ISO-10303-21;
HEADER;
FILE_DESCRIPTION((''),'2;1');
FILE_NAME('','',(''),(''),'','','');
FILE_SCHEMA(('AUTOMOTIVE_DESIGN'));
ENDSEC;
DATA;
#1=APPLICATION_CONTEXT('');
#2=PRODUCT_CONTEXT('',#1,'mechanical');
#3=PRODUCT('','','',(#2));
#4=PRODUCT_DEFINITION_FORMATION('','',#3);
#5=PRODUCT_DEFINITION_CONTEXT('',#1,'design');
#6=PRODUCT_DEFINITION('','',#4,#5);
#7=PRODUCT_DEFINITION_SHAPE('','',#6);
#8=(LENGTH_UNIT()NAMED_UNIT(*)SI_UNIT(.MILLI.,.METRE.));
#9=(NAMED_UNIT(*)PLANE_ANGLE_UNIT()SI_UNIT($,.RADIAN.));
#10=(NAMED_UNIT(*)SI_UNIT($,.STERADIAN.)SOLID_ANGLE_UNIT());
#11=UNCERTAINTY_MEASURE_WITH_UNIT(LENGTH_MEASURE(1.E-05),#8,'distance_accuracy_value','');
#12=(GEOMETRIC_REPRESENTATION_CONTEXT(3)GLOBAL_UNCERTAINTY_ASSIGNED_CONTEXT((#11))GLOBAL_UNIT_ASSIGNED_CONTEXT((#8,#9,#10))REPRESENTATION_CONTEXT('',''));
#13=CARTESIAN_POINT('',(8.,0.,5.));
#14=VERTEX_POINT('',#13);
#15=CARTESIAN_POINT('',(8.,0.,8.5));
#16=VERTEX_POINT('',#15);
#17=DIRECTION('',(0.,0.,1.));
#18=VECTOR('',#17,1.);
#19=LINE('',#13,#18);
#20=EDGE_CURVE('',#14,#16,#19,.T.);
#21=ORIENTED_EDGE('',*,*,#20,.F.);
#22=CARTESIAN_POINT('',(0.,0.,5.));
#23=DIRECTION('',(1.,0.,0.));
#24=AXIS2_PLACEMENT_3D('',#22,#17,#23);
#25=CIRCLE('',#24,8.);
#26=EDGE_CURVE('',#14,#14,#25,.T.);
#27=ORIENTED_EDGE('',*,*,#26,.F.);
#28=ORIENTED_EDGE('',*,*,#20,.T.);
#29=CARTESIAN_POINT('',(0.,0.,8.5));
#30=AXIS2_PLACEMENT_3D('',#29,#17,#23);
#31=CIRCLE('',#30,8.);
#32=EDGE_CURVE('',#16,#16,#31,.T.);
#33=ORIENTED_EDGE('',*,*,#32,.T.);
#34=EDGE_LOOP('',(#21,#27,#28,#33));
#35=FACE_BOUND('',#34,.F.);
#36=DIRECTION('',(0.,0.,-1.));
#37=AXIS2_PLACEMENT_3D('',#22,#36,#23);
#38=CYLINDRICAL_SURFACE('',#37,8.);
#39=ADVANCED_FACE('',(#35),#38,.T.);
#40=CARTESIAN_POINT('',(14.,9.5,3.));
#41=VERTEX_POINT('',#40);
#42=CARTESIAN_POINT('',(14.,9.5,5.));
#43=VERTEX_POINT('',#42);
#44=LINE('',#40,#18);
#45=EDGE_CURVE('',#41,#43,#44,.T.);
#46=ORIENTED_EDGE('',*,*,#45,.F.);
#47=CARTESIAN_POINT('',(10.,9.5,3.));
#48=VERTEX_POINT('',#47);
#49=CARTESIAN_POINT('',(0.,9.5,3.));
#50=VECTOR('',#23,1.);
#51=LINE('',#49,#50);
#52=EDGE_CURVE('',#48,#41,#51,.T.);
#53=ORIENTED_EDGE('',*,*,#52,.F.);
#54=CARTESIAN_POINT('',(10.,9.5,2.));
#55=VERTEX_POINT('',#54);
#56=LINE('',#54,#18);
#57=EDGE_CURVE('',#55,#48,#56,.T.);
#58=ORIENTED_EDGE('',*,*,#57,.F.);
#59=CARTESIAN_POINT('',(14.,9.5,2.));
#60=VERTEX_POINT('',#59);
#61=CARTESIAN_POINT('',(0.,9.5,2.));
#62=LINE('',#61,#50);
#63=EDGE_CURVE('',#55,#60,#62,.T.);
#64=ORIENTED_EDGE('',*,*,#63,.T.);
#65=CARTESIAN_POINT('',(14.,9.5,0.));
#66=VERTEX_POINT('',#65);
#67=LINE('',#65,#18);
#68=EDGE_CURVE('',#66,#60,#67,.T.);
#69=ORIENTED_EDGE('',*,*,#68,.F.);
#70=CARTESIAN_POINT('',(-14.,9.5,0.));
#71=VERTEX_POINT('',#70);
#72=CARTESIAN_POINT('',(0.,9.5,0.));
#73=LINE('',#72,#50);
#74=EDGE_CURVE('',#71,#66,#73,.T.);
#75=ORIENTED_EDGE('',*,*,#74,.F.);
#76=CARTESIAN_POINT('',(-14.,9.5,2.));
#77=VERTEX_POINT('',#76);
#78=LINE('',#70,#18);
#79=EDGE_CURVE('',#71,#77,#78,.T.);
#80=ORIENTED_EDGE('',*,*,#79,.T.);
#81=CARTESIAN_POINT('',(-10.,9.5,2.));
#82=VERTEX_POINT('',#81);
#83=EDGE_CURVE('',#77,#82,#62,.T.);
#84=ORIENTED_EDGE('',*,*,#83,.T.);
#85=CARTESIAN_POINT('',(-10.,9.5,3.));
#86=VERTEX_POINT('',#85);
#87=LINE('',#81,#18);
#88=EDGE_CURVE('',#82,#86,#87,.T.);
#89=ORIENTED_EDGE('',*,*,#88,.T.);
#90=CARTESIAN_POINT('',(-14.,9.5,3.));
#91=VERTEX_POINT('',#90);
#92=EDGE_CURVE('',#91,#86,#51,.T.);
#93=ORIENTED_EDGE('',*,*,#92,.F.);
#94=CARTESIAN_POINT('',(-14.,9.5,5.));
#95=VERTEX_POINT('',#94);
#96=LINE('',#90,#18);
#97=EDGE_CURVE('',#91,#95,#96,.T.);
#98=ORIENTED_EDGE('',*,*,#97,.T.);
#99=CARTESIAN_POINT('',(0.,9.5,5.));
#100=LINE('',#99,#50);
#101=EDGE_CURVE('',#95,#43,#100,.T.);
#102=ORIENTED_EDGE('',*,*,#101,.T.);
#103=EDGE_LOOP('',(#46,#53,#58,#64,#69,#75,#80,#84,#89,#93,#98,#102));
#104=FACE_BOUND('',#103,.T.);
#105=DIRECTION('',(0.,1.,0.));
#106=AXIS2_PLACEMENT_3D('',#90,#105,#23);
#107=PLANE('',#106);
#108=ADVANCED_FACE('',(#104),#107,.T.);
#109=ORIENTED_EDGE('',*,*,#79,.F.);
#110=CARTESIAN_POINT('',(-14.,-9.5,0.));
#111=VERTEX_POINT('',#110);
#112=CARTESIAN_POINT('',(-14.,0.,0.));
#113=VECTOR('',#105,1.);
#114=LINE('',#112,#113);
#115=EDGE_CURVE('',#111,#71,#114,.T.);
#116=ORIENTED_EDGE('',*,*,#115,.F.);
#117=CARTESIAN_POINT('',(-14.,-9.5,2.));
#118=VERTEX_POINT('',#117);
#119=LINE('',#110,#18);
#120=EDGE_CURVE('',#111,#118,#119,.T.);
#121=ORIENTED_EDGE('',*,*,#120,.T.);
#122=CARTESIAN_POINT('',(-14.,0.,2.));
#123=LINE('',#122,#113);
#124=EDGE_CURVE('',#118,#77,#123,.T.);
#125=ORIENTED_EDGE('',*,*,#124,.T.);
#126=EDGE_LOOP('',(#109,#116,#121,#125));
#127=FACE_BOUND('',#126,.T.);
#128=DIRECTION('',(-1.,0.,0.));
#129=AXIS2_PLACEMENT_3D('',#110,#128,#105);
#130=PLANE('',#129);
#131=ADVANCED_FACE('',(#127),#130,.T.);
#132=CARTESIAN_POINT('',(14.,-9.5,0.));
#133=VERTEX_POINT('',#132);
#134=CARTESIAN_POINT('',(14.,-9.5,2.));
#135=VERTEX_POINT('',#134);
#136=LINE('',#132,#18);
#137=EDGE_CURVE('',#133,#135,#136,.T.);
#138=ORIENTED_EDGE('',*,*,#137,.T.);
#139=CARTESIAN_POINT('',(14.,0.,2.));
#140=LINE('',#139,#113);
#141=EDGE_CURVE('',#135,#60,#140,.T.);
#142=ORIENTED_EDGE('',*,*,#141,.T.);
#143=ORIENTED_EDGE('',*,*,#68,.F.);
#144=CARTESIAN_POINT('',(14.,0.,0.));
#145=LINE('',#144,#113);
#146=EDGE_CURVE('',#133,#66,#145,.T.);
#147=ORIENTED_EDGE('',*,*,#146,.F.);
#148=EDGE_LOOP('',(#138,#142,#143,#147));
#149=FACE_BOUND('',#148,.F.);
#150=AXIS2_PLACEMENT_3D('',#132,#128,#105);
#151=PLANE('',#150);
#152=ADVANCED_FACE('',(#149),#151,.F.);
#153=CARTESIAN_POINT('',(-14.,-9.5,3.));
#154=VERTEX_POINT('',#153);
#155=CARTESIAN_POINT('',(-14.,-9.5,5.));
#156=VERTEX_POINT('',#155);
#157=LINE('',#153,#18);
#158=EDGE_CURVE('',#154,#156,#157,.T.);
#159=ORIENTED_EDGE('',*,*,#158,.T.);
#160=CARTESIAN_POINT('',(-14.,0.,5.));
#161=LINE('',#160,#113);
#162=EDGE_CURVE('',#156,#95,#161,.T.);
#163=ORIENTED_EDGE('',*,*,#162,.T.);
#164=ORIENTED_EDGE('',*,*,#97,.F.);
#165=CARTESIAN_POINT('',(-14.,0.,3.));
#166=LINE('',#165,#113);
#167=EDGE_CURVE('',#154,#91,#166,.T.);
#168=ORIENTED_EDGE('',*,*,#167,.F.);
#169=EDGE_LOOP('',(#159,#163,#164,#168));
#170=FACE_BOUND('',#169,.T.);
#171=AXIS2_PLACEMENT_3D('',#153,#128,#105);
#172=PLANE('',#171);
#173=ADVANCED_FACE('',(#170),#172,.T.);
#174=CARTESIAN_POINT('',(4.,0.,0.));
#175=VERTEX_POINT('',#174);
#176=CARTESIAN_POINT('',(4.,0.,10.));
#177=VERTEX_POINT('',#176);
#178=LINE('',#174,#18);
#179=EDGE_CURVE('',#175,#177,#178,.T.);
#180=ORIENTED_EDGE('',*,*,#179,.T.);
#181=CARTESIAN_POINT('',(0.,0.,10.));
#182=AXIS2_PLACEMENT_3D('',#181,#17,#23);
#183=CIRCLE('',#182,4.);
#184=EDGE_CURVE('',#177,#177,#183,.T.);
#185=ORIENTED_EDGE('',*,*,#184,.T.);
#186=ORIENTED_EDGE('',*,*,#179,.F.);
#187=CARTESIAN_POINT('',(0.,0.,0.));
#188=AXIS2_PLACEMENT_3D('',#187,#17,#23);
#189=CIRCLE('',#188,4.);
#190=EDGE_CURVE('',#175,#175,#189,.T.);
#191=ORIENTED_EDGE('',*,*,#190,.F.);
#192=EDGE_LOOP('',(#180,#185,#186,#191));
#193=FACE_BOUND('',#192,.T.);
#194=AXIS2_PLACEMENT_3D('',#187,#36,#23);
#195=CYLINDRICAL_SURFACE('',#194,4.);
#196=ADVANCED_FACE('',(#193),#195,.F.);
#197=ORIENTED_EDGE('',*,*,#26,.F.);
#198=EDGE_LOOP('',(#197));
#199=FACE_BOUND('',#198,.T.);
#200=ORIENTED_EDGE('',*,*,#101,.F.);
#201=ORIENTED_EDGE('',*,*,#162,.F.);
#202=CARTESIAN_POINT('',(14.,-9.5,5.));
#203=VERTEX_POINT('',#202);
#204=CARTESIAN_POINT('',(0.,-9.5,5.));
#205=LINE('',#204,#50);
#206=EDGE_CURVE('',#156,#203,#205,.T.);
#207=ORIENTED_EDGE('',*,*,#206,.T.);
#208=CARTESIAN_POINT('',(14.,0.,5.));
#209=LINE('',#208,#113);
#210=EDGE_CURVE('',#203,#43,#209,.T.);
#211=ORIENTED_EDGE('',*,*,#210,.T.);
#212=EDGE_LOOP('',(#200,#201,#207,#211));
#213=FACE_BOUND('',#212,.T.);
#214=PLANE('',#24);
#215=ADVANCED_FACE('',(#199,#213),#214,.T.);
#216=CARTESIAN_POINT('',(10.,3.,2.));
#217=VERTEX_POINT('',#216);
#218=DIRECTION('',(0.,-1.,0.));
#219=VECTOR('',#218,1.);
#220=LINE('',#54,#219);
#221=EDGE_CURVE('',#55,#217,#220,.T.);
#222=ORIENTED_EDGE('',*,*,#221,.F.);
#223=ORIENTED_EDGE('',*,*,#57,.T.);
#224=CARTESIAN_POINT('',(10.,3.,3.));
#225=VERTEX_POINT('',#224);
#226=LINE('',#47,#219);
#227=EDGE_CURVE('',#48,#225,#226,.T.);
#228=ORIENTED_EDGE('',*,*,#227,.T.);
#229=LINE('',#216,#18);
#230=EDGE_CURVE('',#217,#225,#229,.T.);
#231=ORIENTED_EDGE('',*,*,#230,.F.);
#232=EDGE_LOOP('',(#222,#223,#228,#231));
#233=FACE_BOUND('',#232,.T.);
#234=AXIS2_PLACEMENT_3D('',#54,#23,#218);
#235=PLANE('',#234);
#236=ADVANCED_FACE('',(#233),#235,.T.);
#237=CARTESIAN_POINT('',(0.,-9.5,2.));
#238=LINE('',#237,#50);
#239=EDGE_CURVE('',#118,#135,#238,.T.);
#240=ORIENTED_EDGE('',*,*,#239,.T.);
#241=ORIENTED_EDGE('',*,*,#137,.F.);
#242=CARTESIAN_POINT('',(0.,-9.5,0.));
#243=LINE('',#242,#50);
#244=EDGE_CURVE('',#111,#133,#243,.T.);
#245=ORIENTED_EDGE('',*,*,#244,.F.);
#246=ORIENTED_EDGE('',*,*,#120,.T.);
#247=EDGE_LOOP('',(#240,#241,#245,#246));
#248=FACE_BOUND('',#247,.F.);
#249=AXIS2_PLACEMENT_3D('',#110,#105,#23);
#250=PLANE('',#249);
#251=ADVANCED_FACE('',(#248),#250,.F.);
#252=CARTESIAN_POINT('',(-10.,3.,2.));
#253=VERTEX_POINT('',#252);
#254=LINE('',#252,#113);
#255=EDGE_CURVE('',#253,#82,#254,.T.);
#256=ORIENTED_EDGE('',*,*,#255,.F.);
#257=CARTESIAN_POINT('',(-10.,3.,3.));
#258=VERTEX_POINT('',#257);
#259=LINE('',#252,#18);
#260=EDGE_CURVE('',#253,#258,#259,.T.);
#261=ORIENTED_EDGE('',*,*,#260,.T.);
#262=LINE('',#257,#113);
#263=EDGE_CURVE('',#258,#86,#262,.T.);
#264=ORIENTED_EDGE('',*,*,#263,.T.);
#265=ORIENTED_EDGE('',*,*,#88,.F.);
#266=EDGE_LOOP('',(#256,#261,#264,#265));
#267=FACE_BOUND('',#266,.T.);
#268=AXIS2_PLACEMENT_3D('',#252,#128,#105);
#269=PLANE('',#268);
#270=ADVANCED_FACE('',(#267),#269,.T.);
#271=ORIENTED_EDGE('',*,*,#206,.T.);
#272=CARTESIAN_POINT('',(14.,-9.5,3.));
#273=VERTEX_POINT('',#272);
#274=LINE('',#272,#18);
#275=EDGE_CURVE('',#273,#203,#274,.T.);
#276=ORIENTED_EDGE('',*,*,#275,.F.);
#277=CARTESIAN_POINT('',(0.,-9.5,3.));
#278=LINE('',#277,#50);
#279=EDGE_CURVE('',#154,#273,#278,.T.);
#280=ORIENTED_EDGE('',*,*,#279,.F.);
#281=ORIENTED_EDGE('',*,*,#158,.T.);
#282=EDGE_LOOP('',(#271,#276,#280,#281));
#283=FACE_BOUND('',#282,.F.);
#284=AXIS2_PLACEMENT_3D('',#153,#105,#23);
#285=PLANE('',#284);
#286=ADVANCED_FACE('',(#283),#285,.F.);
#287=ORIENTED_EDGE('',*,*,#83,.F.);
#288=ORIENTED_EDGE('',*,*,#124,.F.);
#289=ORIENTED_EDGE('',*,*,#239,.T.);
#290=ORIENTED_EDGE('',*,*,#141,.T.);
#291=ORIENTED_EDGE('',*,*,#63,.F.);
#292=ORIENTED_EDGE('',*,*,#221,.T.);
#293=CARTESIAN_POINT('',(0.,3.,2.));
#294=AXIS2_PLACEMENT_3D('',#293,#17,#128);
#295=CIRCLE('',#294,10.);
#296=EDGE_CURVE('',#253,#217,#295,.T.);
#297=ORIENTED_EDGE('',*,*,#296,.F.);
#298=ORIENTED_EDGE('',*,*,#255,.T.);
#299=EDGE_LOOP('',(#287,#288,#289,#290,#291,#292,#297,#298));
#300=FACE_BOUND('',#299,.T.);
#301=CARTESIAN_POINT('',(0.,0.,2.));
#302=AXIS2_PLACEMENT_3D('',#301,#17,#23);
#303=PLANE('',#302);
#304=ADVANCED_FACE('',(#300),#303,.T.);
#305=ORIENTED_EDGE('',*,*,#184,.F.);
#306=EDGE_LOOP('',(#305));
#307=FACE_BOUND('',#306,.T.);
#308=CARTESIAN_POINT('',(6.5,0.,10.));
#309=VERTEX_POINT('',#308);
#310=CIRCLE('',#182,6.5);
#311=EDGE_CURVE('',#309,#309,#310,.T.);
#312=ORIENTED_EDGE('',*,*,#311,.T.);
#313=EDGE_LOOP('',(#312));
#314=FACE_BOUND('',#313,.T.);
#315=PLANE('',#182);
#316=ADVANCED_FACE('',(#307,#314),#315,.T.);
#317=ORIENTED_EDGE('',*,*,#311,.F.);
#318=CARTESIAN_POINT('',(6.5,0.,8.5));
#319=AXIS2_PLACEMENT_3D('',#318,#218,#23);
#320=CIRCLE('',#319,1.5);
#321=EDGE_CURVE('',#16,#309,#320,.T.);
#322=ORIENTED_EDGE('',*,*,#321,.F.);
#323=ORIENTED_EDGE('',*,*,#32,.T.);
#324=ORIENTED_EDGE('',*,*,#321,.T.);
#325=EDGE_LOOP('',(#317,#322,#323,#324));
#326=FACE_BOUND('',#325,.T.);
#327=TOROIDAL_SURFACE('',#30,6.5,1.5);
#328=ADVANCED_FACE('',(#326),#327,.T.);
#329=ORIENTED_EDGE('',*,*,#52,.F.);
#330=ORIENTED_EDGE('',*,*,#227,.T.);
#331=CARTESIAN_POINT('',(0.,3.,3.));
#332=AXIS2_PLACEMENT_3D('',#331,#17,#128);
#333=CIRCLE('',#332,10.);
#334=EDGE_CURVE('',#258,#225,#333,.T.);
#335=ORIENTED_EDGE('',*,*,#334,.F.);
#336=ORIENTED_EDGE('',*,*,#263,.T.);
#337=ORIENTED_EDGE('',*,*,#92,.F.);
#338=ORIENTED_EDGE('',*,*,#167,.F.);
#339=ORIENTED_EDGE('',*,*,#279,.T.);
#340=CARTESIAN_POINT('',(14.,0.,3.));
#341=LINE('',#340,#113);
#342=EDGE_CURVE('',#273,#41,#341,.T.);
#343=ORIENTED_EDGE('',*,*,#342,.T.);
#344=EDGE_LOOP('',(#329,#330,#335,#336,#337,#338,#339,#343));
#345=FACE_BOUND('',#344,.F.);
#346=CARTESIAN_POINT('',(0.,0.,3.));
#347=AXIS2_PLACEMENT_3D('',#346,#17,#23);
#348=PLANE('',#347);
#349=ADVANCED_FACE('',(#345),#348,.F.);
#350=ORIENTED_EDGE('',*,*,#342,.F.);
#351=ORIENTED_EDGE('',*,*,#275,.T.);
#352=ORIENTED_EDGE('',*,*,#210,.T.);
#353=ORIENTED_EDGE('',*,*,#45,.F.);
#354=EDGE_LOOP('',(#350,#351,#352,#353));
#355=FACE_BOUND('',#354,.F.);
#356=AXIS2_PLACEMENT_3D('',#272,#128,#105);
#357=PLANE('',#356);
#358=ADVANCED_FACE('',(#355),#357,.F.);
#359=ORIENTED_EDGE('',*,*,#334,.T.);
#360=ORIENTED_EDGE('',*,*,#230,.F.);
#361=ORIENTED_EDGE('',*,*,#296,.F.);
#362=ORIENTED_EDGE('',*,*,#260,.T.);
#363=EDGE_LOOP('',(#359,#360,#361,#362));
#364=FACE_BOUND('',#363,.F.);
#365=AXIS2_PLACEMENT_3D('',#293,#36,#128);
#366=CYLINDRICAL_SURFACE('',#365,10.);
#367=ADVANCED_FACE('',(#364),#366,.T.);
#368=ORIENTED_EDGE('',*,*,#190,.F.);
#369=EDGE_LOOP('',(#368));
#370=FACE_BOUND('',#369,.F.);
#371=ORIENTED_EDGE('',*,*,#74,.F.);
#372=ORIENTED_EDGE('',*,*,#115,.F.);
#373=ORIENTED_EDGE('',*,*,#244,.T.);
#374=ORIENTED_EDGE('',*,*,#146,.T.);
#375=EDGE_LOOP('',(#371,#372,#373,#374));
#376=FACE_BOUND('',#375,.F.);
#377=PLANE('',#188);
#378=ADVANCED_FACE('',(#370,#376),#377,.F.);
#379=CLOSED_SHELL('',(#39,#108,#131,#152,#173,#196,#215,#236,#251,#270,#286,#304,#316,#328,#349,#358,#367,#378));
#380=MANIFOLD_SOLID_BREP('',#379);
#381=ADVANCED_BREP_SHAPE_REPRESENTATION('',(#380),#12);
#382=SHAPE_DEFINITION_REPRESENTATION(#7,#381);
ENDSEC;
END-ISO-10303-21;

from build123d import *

# Parameters (mm, degrees)
SKETCH004_R  = 4
PAD004_DEPTH = 10
SKETCH001_W  = 28
SKETCH001_H  = 19
PAD001_DEPTH = 2
PAD002_DEPTH = 1
SKETCH003_R  = 8
PAD003_DEPTH = 5
SKETCH_W     = 28
SKETCH_H     = 19
PAD_DEPTH    = 2
FILLET_R     = 1.5


with BuildPart() as body004:
    # Sketch004 → Pad004 (new body)
    with BuildSketch(Plane.XY):
        Circle(SKETCH004_R)
    extrude(amount=PAD004_DEPTH)


with BuildPart() as body001:
    # Sketch001 → Pad001 (new body)
    with BuildSketch(Plane.XY):
        Rectangle(SKETCH001_W, SKETCH001_H)
    extrude(amount=PAD001_DEPTH)


with BuildPart() as body001_1:
    # Body001 placement: moved
    add(body001.part.moved(Location((0, 0, 3))))


with BuildPart() as body002:
    # Sketch002 → Pad002 (new body)
    with BuildSketch(Plane.XY):
        with BuildLine():
            ThreePointArc((-10, 3), (0, -7), (10, 3))
            Line((10, 9.5), (10, 3))
            Line((-10, 9.5), (10, 9.5))
            Line((-10, 3), (-10, 9.5))
        make_face()
    extrude(amount=PAD002_DEPTH)


with BuildPart() as body002_1:
    # Body002 placement: moved
    add(body002.part.moved(Location((0, 0, 2))))


with BuildPart() as body003:
    # Sketch003 → Pad003 (new body)
    with BuildSketch(Plane.XY):
        Circle(SKETCH003_R)
    extrude(amount=PAD003_DEPTH)


with BuildPart() as body003_1:
    # Body003 placement: moved
    add(body003.part.moved(Location((0, 0, 5))))


with BuildPart() as fillet_body:
    # Sketch → Pad (new body)
    with BuildSketch(Plane.XY):
        Rectangle(SKETCH_W, SKETCH_H)
    extrude(amount=PAD_DEPTH)

    # Fusion: union Body001, Body002, Body003
    add(body001_1.part)
    add(body002_1.part)
    add(body003_1.part)

    # Cut: cut Body004
    add(body004.part, mode=Mode.SUBTRACT)

    # Fillet
    fillet_edges = [fillet_body.edges().sort_by_distance(p)[0] for p in [
        (-8, 0, 10),
    ]]
    fillet(fillet_edges, radius=FILLET_R)


solid = fillet_body.part
